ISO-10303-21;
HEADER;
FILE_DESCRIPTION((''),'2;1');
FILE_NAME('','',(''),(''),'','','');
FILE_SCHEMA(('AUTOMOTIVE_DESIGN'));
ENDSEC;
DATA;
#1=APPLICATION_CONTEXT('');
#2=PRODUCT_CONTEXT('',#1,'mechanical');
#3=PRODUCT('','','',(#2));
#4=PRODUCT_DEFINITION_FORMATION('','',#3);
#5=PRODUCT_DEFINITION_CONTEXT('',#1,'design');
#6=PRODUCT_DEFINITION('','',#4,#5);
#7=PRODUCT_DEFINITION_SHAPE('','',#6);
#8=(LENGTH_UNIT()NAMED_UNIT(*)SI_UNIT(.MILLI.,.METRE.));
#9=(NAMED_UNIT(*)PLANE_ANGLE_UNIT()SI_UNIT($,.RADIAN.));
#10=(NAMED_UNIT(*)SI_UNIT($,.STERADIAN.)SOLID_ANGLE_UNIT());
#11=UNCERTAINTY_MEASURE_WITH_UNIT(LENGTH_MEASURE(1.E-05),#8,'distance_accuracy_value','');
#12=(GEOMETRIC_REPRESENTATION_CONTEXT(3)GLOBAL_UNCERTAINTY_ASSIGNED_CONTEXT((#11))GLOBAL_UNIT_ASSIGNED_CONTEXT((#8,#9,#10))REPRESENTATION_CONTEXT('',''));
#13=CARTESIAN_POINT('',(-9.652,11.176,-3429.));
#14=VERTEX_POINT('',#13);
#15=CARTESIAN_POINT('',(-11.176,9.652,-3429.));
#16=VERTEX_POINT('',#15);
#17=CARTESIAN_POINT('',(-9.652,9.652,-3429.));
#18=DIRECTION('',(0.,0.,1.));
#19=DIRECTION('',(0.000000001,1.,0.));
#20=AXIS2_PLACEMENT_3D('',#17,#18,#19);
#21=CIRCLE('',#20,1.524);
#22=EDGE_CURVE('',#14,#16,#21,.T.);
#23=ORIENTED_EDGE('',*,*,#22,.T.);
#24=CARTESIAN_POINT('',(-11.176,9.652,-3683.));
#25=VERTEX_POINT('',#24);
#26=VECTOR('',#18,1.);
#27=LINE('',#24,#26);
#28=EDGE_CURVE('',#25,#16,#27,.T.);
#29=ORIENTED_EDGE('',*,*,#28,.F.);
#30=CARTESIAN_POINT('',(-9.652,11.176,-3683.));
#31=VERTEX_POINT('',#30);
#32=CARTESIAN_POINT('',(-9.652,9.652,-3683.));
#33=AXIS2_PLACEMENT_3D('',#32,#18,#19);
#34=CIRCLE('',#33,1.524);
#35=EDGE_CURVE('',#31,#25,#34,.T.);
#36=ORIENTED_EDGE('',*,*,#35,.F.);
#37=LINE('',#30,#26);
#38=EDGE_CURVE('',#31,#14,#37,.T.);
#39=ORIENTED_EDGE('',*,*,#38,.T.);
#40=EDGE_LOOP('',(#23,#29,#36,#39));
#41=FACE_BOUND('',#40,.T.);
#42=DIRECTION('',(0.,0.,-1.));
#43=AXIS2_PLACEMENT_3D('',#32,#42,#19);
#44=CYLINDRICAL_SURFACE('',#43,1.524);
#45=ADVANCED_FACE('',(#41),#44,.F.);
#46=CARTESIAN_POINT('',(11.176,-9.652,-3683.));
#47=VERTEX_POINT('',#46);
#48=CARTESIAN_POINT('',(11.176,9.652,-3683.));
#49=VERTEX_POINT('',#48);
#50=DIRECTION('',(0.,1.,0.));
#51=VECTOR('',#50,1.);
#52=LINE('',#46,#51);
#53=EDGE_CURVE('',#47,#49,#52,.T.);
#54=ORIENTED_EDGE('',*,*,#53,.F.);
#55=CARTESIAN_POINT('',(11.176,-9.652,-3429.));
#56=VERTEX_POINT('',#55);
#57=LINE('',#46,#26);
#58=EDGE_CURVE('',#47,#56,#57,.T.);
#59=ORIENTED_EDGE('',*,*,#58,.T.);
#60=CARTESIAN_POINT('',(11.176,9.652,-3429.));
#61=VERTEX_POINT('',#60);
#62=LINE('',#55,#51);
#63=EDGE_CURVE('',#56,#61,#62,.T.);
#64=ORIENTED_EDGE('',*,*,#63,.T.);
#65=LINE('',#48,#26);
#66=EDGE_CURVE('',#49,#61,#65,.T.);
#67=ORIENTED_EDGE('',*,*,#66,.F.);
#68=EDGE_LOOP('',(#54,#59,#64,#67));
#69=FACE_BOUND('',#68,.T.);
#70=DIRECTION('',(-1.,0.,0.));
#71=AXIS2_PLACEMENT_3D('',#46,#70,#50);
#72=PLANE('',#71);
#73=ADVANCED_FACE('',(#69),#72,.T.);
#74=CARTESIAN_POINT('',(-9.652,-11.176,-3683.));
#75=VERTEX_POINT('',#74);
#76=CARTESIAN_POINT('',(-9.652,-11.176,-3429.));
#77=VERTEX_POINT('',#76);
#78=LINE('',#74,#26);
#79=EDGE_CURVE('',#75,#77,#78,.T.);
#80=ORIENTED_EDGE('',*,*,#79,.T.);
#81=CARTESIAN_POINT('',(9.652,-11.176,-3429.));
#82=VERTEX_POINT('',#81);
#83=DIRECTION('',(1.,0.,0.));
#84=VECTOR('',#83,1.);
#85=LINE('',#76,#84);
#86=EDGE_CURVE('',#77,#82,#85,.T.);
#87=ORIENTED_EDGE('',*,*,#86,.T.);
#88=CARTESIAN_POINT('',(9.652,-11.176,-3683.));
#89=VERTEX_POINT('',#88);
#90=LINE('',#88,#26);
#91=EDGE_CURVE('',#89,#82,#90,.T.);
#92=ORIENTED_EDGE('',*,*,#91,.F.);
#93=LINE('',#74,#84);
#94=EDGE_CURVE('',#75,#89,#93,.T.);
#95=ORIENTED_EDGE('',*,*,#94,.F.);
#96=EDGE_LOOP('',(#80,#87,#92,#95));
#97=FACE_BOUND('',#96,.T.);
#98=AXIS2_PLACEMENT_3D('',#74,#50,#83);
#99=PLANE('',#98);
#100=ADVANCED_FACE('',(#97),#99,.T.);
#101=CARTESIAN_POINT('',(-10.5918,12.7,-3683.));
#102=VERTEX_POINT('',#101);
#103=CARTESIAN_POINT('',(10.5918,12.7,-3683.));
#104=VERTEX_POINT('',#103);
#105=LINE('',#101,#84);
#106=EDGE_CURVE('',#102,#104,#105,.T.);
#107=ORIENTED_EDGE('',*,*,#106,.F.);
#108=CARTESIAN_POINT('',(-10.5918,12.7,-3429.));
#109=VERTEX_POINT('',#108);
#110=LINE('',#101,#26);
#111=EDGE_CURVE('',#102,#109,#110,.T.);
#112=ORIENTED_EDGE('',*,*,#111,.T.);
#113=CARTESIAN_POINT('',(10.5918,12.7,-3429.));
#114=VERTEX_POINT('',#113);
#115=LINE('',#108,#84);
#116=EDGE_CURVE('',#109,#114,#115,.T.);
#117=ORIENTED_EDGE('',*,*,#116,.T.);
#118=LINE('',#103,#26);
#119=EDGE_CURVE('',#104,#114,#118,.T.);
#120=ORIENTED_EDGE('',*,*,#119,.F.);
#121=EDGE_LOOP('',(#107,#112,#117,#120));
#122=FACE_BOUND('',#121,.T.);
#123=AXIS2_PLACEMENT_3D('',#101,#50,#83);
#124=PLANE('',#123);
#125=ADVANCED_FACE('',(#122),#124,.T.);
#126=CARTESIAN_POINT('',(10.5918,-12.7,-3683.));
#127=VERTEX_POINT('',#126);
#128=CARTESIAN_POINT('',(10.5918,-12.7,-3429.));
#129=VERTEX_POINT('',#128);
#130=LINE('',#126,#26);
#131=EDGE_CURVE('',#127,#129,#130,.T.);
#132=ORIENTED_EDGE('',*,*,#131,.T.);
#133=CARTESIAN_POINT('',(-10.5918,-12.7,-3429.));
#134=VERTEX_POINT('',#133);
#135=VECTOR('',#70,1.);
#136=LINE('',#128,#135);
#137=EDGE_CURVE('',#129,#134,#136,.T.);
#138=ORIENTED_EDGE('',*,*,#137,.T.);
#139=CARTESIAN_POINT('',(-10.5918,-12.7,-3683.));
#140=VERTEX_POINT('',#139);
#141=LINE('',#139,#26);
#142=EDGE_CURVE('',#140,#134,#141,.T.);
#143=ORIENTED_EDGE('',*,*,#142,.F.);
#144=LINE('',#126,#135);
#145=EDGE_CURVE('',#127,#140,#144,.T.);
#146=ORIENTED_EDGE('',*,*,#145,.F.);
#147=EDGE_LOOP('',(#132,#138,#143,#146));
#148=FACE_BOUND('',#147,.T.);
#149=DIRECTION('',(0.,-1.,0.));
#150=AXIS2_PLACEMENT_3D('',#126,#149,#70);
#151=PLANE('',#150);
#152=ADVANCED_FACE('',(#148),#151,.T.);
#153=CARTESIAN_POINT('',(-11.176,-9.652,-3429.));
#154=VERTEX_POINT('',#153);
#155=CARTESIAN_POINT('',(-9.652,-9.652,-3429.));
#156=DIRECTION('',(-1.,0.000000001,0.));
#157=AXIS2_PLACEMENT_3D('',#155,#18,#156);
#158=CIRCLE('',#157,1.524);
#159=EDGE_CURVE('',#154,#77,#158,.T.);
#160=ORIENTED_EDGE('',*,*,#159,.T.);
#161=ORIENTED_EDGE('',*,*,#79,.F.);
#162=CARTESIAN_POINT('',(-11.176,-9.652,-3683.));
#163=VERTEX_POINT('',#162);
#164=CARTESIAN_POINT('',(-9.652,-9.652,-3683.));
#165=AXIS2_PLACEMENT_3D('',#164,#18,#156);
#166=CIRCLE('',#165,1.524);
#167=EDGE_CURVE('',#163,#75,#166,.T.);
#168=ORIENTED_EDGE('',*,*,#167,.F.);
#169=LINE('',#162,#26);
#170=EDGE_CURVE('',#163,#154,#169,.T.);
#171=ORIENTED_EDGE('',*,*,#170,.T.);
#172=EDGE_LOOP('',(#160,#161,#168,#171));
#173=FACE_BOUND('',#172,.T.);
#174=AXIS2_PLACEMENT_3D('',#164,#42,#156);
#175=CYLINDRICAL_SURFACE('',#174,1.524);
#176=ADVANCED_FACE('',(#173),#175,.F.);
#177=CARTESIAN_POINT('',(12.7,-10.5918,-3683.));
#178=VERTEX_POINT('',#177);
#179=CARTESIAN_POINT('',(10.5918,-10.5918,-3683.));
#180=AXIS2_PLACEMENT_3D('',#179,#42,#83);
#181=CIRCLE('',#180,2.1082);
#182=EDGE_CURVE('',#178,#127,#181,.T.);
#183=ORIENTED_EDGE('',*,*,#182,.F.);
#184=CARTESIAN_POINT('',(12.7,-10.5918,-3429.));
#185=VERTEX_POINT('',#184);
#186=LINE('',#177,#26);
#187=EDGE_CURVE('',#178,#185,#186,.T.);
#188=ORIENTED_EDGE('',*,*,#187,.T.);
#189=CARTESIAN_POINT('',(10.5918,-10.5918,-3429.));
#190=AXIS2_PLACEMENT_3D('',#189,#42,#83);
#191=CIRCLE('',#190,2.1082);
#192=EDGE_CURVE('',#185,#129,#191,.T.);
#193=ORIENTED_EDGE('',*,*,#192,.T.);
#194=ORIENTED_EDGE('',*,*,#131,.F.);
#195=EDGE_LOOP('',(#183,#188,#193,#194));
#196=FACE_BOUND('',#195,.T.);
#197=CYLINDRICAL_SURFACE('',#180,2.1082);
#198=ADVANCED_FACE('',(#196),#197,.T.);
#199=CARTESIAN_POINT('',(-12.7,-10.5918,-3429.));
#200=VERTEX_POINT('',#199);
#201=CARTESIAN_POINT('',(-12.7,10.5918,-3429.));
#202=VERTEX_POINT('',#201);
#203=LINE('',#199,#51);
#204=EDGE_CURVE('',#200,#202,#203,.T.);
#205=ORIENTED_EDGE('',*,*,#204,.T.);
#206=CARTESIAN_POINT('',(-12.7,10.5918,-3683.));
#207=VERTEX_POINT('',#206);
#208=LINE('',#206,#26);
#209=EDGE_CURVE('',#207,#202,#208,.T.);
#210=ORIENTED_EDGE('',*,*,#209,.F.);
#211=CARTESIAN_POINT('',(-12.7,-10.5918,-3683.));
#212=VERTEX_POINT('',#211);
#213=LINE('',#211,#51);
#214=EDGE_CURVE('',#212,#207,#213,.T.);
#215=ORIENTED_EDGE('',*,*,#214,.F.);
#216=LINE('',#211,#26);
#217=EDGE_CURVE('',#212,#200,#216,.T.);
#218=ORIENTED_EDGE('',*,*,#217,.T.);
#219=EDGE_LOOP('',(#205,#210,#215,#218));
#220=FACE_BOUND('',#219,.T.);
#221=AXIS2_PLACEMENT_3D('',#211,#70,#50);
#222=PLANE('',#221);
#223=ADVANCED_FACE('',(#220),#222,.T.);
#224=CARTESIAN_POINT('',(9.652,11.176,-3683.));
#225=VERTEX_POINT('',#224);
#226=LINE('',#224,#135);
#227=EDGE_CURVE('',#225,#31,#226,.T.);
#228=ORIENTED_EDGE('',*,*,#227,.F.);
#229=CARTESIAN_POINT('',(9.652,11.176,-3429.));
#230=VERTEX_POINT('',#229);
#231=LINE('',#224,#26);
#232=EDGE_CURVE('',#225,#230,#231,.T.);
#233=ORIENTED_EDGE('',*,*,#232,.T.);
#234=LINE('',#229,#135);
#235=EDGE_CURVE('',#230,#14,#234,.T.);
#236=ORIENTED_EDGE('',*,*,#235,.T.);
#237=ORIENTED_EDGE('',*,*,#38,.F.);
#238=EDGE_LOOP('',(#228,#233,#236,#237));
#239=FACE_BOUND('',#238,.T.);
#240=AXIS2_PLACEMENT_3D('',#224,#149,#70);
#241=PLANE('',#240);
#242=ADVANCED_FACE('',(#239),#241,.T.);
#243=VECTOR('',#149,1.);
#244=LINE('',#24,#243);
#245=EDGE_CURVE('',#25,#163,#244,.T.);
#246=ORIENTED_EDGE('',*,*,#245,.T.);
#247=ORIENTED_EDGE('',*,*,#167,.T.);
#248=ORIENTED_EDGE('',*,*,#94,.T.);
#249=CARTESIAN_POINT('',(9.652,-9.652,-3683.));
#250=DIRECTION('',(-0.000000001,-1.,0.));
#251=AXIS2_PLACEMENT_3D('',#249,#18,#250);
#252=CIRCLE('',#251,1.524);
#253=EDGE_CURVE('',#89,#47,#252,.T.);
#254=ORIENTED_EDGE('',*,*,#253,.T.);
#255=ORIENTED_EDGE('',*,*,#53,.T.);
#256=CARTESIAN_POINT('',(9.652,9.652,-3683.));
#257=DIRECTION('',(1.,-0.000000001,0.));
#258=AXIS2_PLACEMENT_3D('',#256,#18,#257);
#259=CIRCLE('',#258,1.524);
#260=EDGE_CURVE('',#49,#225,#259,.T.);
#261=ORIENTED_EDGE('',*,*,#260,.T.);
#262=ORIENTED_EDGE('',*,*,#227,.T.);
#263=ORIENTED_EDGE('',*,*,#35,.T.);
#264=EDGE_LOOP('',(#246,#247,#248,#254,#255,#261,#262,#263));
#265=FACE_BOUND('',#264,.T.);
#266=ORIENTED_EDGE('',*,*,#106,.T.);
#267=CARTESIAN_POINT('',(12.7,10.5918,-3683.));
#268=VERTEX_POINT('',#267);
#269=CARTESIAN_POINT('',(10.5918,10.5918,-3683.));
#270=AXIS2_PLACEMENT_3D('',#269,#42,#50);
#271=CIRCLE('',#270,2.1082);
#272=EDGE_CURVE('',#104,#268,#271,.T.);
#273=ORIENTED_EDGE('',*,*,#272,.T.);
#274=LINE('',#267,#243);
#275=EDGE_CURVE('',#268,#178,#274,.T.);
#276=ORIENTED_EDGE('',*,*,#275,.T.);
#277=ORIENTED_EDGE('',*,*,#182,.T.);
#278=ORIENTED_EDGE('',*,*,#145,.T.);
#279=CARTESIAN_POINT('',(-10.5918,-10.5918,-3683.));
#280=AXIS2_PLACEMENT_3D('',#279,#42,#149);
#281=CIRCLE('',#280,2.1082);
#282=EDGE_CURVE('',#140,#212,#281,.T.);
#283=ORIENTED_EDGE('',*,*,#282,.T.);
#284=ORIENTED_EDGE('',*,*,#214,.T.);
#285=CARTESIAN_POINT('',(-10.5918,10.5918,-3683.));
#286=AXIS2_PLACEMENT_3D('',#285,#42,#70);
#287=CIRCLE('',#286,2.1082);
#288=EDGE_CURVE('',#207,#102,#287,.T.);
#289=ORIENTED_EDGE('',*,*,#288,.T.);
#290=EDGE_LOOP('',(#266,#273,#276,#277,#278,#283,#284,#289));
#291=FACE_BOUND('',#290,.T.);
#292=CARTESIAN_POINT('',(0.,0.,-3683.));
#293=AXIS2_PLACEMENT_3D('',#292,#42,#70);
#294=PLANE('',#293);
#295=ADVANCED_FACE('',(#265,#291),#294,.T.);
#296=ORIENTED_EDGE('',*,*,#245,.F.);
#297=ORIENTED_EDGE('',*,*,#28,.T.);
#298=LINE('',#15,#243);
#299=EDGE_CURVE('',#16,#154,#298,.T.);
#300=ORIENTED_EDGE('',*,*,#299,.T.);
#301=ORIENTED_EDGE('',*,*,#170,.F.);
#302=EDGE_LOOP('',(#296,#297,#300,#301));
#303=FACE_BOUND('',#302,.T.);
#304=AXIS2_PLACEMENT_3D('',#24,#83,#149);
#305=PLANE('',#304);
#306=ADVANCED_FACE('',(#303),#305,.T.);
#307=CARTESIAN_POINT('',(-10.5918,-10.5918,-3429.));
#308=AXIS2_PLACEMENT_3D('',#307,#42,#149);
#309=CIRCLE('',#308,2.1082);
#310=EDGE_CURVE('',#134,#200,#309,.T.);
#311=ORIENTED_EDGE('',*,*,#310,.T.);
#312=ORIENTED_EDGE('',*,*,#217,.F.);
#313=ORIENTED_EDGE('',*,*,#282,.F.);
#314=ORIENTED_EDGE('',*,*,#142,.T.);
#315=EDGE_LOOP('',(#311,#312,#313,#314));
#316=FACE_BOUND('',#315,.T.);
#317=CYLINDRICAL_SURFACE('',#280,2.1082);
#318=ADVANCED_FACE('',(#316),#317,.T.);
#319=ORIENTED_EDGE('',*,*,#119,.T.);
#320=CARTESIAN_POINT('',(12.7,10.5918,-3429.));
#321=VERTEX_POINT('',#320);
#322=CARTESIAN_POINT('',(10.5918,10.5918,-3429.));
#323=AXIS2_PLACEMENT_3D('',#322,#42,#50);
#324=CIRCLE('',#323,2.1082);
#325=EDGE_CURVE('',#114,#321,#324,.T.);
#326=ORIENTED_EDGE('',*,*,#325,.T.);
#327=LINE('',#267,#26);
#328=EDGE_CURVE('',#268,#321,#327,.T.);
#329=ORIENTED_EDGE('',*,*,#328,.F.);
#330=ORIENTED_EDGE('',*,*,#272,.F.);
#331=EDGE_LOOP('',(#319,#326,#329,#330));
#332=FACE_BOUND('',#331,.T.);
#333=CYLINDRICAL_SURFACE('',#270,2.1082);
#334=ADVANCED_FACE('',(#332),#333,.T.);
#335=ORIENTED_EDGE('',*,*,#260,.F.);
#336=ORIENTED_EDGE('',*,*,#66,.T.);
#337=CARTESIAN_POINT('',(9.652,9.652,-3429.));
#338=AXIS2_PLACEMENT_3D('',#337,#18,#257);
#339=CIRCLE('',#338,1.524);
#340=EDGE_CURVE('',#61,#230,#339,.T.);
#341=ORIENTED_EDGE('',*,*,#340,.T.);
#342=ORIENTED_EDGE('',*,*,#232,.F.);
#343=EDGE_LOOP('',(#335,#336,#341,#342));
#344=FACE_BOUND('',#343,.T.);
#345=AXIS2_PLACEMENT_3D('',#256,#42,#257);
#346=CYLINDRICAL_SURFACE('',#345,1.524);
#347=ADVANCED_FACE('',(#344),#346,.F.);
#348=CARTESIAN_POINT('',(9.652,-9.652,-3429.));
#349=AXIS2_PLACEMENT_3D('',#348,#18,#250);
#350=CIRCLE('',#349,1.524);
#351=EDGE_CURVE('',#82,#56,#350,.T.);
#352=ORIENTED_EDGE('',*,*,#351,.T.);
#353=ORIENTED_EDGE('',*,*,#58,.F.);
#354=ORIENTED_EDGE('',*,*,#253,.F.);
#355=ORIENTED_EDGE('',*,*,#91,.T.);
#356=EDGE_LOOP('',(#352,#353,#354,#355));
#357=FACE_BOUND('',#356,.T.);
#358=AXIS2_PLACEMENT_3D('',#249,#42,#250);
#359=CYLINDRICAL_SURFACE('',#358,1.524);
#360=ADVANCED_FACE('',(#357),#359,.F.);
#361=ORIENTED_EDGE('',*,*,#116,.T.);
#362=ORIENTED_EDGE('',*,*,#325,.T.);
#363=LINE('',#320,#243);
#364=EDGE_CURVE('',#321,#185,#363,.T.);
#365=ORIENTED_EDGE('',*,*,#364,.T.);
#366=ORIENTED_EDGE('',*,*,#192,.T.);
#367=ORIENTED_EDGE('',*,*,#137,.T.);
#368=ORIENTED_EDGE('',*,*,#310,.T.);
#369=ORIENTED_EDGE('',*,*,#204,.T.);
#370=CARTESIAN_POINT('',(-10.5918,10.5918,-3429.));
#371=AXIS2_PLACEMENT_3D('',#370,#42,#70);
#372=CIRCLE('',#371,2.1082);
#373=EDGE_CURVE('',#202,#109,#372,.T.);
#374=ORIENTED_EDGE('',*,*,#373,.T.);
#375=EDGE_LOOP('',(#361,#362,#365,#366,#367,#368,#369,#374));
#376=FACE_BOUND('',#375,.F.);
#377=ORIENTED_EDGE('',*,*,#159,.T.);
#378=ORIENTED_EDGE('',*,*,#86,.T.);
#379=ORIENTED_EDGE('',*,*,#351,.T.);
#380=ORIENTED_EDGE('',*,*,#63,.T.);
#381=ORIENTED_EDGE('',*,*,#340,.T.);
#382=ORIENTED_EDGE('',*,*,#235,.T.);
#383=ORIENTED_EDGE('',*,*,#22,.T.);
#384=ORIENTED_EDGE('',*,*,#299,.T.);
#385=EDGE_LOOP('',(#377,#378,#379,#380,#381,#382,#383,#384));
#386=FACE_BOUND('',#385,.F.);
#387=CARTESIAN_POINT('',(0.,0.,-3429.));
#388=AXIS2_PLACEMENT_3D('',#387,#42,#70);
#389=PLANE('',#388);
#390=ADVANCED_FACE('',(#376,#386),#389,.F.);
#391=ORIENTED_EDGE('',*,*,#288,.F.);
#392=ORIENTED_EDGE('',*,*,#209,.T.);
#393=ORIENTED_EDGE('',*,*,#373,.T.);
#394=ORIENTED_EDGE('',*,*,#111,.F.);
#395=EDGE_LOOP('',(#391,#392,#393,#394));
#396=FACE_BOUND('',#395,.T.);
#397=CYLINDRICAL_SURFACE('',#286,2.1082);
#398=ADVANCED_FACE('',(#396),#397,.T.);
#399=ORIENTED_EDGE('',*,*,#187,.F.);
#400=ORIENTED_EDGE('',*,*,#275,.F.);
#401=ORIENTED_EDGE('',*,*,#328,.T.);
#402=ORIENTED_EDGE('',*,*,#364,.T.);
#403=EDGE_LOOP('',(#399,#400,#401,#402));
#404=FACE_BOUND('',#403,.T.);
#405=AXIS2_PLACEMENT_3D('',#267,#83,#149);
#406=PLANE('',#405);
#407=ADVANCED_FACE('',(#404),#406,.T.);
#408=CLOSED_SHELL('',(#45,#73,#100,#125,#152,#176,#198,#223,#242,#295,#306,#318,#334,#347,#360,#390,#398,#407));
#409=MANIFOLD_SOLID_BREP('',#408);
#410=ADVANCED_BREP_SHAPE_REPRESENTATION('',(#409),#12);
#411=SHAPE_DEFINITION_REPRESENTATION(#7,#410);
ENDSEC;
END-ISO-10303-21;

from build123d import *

# Parameters (mm, degrees)
BOSS_EXTRUDE1_DEPTH = 254


with BuildPart() as part:
    # Sketch1 → Boss-Extrude1 (new body)
    with BuildSketch(Plane(origin=(0, 0, -3683), x_dir=(-1, 0, 0), z_dir=(0, 0, -1))):
        with BuildLine():
            Line((12.7, -10.5918), (12.7, 10.5918))
            ThreePointArc((12.7, 10.5918), (12.082522516, 12.082522516), (10.5918, 12.7))
            Line((10.5918, 12.7), (-10.5918, 12.7))
            ThreePointArc((-10.5918, 12.7), (-12.082522516, 12.082522516), (-12.7, 10.5918))
            Line((-12.7, 10.5918), (-12.7, -10.5918))
            ThreePointArc((-12.7, -10.5918), (-12.082522516, -12.082522516), (-10.5918, -12.7))
            Line((-10.5918, -12.7), (10.5918, -12.7))
            ThreePointArc((10.5918, -12.7), (12.082522516, -12.082522516), (12.7, -10.5918))
        make_face()
        with BuildLine():
            Line((11.176, 9.652), (11.176, -9.652))
            ThreePointArc((11.176, -9.652), (10.729630735, -10.729630735), (9.652, -11.176))
            Line((9.652, -11.176), (-9.652, -11.176))
            ThreePointArc((-9.652, -11.176), (-10.729630735, -10.729630735), (-11.176, -9.652))
            Line((-11.176, -9.652), (-11.176, 9.652))
            ThreePointArc((-11.176, 9.652), (-10.729630735, 10.729630735), (-9.652, 11.176))
            Line((-9.652, 11.176), (9.652, 11.176))
            ThreePointArc((9.652, 11.176), (10.729630735, 10.729630735), (11.176, 9.652))
        make_face(mode=Mode.SUBTRACT)
    extrude(amount=-BOSS_EXTRUDE1_DEPTH)


solid = part.part
